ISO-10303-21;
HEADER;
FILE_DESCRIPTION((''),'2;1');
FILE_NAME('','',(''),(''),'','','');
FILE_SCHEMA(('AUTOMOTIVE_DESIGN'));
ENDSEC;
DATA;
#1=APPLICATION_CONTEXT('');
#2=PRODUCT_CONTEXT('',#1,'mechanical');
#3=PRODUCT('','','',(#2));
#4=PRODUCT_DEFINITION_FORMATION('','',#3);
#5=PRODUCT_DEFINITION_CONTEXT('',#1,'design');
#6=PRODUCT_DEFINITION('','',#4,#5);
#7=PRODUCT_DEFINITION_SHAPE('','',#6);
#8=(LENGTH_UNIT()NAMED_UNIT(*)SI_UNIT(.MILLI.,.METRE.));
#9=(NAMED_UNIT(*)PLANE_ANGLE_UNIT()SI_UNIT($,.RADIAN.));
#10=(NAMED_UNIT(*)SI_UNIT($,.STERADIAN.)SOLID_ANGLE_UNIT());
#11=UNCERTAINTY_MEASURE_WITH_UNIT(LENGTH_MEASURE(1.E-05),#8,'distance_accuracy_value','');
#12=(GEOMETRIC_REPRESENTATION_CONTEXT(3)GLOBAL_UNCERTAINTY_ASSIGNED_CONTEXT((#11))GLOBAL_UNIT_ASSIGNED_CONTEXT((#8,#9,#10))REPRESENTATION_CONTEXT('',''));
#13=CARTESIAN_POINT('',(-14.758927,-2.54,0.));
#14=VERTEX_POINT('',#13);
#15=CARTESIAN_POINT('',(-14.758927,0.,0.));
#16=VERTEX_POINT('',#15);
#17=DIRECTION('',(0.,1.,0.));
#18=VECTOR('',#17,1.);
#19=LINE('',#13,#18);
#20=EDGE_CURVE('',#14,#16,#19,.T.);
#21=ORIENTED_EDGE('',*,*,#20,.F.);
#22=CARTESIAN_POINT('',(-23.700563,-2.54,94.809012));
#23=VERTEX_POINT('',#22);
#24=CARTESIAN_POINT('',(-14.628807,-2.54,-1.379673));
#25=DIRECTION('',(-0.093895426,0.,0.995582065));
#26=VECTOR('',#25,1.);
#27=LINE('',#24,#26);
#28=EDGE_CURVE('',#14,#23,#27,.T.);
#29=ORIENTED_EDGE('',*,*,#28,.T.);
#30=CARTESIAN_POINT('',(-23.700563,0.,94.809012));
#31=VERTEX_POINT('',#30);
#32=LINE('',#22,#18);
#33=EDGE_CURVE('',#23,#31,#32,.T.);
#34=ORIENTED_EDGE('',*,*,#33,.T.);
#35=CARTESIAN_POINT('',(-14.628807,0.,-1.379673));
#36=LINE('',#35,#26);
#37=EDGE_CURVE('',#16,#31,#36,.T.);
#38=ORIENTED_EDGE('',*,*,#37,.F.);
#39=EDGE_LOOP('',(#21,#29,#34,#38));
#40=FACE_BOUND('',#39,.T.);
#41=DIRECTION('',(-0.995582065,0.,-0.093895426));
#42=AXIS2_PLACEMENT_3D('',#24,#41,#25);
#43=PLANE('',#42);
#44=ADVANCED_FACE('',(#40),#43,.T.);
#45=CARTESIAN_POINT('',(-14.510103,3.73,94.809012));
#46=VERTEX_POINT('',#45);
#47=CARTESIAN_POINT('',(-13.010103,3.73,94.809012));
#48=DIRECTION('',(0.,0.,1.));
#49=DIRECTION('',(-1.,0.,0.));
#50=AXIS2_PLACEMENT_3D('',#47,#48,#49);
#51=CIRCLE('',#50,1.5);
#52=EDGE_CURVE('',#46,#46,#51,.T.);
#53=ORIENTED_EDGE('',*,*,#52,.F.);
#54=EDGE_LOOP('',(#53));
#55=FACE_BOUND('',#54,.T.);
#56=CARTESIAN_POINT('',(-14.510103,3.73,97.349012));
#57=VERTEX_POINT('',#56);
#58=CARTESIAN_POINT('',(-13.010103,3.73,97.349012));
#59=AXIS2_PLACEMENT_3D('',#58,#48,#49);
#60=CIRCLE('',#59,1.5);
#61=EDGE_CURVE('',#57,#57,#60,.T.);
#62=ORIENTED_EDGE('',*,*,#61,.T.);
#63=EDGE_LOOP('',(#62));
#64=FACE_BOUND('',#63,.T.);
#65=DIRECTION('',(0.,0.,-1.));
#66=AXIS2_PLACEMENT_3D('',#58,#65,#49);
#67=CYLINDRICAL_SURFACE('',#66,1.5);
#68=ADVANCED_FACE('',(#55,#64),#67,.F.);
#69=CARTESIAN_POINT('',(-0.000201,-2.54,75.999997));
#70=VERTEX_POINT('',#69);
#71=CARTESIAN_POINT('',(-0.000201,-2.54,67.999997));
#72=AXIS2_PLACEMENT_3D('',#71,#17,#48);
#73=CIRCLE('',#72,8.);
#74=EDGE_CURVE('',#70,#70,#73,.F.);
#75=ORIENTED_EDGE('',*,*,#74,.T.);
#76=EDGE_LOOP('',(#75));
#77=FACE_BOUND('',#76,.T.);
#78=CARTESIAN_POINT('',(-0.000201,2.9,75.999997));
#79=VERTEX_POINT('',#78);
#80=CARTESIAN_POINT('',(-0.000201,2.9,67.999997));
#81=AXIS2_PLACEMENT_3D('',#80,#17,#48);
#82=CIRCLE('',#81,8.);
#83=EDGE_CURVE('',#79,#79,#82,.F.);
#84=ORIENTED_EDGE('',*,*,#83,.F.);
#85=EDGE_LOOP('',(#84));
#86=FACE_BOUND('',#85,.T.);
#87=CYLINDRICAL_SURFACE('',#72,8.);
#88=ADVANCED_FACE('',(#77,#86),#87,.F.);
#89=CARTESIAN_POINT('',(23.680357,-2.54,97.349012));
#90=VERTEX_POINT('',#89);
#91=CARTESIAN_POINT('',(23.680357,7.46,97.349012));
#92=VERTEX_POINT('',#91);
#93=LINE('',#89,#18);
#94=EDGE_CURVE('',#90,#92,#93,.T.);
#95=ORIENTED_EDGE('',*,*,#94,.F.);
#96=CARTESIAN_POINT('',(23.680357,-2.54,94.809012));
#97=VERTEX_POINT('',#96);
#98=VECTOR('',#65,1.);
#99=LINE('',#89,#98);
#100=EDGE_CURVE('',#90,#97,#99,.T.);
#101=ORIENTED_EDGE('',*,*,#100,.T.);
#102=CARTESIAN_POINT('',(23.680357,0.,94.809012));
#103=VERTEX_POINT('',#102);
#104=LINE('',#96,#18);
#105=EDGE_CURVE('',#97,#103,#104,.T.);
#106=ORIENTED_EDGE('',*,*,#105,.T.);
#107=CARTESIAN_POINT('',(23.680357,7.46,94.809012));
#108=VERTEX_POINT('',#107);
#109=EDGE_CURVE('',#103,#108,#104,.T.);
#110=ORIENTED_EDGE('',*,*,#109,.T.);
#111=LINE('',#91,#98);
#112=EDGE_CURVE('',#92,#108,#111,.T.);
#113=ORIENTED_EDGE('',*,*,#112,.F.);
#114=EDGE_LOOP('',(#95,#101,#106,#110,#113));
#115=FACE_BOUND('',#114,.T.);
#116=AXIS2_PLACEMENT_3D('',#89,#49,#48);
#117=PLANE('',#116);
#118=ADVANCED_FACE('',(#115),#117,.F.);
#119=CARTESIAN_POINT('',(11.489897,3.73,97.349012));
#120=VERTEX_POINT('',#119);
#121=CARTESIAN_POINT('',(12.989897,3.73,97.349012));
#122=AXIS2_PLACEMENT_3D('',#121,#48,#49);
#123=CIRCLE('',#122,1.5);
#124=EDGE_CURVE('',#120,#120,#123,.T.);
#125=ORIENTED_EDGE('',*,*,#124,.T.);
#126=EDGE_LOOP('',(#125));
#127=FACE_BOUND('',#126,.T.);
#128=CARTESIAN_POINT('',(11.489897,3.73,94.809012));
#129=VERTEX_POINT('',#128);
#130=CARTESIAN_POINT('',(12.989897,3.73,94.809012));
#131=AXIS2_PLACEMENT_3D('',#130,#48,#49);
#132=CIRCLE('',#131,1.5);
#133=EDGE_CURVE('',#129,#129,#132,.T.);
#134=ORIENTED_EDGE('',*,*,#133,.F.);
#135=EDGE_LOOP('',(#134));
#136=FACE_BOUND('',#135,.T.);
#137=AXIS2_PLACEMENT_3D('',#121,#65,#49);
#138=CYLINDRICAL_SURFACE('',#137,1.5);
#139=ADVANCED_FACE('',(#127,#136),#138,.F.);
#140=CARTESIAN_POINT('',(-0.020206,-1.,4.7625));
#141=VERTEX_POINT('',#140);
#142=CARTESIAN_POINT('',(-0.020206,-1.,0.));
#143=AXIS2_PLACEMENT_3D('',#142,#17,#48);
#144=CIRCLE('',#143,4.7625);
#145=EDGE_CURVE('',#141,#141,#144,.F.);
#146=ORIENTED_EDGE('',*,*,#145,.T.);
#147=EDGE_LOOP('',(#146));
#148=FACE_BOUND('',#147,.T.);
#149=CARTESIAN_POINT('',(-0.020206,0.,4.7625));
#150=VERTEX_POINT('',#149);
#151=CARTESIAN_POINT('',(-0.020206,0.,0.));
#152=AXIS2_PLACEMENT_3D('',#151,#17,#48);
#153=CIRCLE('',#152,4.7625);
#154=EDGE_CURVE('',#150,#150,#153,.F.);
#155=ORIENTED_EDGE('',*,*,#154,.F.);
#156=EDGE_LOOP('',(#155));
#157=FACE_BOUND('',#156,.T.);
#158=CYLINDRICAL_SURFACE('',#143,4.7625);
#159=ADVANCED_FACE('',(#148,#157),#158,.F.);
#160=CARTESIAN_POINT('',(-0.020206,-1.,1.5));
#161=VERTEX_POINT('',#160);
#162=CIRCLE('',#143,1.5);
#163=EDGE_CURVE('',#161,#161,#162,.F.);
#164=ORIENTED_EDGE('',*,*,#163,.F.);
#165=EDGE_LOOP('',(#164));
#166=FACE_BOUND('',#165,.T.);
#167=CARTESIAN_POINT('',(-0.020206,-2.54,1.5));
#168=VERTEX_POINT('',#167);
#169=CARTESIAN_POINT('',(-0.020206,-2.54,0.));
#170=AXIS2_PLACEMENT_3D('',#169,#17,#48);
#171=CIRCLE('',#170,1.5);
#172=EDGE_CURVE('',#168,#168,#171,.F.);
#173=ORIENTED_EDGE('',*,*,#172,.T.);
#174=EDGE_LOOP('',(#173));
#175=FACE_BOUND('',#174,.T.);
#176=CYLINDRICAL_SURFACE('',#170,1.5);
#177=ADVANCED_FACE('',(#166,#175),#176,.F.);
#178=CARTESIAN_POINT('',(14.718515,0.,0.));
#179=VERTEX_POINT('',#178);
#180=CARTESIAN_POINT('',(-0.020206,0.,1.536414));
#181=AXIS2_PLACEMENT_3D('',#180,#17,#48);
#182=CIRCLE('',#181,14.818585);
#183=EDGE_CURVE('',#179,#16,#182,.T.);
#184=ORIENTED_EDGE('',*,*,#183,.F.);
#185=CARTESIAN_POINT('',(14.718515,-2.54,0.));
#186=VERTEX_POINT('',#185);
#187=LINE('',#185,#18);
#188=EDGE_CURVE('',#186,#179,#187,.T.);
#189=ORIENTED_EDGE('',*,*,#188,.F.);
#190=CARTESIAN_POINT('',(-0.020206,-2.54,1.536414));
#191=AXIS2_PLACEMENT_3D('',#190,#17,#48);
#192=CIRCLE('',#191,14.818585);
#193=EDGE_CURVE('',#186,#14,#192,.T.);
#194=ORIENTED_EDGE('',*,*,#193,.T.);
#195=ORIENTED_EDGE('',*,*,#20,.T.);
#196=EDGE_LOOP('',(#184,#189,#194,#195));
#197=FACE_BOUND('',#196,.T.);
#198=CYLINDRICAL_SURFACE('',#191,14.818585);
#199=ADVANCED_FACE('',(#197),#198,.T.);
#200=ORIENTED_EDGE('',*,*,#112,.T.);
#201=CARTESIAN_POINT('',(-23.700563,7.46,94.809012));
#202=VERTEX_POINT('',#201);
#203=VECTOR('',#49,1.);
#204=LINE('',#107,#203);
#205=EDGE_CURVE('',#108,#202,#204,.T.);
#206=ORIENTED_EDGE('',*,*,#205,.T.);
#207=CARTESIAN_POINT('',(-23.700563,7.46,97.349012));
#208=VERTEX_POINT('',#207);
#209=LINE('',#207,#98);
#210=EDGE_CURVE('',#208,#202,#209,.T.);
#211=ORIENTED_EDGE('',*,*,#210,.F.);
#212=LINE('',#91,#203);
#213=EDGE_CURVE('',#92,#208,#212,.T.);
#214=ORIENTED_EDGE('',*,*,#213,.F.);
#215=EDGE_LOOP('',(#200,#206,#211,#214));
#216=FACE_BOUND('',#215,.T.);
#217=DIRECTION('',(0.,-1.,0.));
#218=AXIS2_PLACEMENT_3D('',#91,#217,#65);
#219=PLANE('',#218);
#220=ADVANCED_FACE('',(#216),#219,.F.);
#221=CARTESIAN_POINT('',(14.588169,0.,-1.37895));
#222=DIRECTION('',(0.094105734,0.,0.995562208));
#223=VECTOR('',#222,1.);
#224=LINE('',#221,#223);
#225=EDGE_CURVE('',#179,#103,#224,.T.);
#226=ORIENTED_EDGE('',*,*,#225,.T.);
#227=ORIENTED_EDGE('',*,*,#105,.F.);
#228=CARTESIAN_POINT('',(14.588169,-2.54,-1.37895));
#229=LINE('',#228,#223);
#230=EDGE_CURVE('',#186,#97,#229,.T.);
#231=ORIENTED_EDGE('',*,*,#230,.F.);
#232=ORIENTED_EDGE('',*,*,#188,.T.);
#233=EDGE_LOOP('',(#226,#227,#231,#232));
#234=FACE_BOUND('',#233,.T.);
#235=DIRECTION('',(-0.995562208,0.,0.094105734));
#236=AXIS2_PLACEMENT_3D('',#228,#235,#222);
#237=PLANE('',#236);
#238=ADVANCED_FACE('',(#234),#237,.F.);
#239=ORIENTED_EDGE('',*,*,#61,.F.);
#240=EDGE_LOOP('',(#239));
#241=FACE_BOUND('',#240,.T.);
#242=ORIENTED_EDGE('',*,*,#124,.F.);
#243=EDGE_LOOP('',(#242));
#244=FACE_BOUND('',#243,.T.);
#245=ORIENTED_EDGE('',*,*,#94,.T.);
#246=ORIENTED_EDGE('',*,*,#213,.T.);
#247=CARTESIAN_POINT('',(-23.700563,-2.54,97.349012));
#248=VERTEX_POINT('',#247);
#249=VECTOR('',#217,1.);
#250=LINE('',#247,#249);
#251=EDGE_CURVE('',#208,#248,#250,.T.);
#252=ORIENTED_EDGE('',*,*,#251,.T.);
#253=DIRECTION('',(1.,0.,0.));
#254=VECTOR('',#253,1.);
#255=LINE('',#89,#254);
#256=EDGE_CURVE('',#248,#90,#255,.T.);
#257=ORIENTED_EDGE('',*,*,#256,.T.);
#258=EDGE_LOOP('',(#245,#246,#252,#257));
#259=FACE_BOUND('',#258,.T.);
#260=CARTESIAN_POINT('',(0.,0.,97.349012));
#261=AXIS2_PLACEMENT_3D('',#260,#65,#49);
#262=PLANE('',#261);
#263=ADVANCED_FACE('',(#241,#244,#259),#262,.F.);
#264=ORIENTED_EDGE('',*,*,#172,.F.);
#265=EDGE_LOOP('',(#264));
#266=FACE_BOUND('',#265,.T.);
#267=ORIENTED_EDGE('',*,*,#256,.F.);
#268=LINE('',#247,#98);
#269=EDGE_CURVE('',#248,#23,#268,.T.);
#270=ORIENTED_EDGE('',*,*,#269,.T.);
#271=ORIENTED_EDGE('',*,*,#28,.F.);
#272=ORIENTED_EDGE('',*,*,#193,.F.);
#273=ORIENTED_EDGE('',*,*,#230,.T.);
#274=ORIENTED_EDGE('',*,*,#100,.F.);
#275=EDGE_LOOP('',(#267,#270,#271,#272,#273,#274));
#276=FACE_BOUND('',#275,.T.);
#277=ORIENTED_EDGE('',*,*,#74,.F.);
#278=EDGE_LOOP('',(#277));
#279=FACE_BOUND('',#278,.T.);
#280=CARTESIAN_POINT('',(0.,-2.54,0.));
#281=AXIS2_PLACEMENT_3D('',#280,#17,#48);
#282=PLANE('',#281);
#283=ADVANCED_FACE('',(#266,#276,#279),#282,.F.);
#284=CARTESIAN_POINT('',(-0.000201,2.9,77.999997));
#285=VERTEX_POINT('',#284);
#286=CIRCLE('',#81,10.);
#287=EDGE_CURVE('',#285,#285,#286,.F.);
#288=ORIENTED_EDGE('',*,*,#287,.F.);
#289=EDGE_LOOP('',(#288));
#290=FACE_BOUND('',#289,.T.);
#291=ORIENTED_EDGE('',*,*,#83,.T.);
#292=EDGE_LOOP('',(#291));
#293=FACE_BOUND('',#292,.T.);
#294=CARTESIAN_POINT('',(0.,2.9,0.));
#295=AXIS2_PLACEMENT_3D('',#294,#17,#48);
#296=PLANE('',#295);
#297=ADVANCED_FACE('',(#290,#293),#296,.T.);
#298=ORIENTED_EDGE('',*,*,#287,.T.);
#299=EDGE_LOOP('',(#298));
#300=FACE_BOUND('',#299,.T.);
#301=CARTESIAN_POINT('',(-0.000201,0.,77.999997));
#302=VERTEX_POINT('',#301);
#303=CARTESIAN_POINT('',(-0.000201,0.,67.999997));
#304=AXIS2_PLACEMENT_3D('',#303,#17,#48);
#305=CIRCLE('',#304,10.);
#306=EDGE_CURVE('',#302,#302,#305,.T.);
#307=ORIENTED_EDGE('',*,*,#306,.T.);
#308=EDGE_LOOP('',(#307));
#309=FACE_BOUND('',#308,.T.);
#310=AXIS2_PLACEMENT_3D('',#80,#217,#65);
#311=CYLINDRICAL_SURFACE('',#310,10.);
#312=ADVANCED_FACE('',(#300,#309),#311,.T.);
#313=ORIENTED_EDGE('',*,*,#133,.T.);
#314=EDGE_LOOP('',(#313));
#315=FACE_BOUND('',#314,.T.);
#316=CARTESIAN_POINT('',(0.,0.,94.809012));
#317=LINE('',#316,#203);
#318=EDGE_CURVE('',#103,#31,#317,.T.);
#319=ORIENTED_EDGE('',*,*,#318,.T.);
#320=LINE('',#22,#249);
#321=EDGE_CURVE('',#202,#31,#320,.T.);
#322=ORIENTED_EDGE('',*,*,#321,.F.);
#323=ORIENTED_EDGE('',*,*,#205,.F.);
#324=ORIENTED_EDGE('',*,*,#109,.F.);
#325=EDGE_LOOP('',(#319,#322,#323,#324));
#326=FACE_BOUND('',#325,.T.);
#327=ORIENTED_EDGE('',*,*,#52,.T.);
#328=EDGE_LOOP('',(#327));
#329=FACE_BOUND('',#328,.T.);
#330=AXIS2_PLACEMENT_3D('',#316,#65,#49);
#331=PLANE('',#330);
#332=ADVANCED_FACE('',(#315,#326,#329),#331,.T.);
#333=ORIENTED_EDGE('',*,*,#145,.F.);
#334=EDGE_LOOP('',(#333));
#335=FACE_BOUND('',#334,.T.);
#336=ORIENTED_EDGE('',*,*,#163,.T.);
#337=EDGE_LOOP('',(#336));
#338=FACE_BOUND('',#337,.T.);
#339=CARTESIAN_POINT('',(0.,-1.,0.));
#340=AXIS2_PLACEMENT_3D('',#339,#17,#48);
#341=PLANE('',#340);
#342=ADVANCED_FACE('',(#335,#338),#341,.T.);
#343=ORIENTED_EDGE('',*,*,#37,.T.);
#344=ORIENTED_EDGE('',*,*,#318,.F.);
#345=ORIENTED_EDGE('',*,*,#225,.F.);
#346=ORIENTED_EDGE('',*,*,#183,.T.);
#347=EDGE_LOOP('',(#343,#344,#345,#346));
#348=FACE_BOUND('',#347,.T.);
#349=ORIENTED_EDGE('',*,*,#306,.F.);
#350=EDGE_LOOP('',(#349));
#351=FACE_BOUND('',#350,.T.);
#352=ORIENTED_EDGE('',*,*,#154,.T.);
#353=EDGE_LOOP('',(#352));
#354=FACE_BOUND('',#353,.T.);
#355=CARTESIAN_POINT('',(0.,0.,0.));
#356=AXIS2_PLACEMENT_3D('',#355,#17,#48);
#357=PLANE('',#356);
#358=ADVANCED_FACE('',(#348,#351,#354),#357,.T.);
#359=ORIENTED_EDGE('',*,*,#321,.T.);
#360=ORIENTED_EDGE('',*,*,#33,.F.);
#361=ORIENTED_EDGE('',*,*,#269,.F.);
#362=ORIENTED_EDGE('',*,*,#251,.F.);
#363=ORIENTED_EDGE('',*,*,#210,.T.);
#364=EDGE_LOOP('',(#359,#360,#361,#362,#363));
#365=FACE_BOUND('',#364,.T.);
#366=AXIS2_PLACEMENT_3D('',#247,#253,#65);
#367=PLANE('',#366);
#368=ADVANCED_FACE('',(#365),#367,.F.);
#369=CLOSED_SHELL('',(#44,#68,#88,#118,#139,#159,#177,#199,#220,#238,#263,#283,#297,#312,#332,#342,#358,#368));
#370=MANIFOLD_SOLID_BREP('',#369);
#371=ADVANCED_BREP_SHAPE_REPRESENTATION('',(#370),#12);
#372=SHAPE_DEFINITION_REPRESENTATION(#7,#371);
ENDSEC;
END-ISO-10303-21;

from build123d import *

# Parameters (mm, degrees)
SKETCH2_R           = 1.5
SKETCH2_R_2         = 8
BOSS_EXTRUDE3_DEPTH = 2.54
SKETCH3_W           = 47.380920583
SKETCH3_H           = 10
SKETCH3_R           = 1.5
BOSS_EXTRUDE6_DEPTH = 2.54
SKETCH2_6_R         = 4.7625
SKETCH2_6_R_2       = 1.5
SKETCH2_6_R_3       = 8
SKETCH2_6_R_4       = 6.5
CUT_EXTRUDE2_DEPTH  = 1
SKETCH2_8_R         = 10
SKETCH2_8_R_2       = 8
BOSS_EXTRUDE7_DEPTH = 2.9


with BuildPart() as part:
    # Sketch2 → Boss-Extrude3 (new body)
    with BuildSketch(Plane.XZ):
        with BuildLine():
            Line((14.71851466, 0), (23.68035712, 94.809011723))
            Line((23.68035712, 94.809011723), (-23.700563463, 94.809011723))
            Line((-23.700563463, 94.809011723), (-14.758927346, 0))
            ThreePointArc((-14.758927346, 0), (-0.020206343, -13.282171548), (14.71851466, 0))
        make_face()
        with Locations((-0.020206343, 0)):
            Circle(SKETCH2_R, mode=Mode.SUBTRACT)
        with Locations((-0.000200837, 67.999997057)):
            Circle(SKETCH2_R_2, mode=Mode.SUBTRACT)
    extrude(amount=BOSS_EXTRUDE3_DEPTH)

    # Sketch3 → Boss-Extrude6 (add)
    with BuildSketch(Plane.XY.offset(94.809011723)):
        with Locations((-0.010103172, 2.46)):
            Rectangle(SKETCH3_W, SKETCH3_H)
        with Locations((-13.010103172, 3.73)):
            Circle(SKETCH3_R, mode=Mode.SUBTRACT)
        with Locations((12.989896828, 3.73)):
            Circle(SKETCH3_R, mode=Mode.SUBTRACT)
    extrude(amount=BOSS_EXTRUDE6_DEPTH)

    # Sketch2<6> → Cut-Extrude2 (cut)
    with BuildSketch(Plane.XZ):
        with Locations((-0.020206343, 0)):
            Circle(SKETCH2_6_R)
        with Locations((-0.020206343, 0)):
            Circle(SKETCH2_6_R_2, mode=Mode.SUBTRACT)
        with Locations((-0.000200837, 67.999997057)):
            Circle(SKETCH2_6_R_3)
        with Locations((-0.000200837, 67.999997057)):
            Circle(SKETCH2_6_R_4, mode=Mode.SUBTRACT)
    extrude(amount=CUT_EXTRUDE2_DEPTH, mode=Mode.SUBTRACT)

    # Sketch2<8> → Boss-Extrude7 (add)
    with BuildSketch(Plane.XZ):
        with Locations((-0.000200837, 67.999997057)):
            Circle(SKETCH2_8_R)
        with Locations((-0.000200837, 67.999997057)):
            Circle(SKETCH2_8_R_2, mode=Mode.SUBTRACT)
    extrude(amount=-BOSS_EXTRUDE7_DEPTH)


solid = part.part
